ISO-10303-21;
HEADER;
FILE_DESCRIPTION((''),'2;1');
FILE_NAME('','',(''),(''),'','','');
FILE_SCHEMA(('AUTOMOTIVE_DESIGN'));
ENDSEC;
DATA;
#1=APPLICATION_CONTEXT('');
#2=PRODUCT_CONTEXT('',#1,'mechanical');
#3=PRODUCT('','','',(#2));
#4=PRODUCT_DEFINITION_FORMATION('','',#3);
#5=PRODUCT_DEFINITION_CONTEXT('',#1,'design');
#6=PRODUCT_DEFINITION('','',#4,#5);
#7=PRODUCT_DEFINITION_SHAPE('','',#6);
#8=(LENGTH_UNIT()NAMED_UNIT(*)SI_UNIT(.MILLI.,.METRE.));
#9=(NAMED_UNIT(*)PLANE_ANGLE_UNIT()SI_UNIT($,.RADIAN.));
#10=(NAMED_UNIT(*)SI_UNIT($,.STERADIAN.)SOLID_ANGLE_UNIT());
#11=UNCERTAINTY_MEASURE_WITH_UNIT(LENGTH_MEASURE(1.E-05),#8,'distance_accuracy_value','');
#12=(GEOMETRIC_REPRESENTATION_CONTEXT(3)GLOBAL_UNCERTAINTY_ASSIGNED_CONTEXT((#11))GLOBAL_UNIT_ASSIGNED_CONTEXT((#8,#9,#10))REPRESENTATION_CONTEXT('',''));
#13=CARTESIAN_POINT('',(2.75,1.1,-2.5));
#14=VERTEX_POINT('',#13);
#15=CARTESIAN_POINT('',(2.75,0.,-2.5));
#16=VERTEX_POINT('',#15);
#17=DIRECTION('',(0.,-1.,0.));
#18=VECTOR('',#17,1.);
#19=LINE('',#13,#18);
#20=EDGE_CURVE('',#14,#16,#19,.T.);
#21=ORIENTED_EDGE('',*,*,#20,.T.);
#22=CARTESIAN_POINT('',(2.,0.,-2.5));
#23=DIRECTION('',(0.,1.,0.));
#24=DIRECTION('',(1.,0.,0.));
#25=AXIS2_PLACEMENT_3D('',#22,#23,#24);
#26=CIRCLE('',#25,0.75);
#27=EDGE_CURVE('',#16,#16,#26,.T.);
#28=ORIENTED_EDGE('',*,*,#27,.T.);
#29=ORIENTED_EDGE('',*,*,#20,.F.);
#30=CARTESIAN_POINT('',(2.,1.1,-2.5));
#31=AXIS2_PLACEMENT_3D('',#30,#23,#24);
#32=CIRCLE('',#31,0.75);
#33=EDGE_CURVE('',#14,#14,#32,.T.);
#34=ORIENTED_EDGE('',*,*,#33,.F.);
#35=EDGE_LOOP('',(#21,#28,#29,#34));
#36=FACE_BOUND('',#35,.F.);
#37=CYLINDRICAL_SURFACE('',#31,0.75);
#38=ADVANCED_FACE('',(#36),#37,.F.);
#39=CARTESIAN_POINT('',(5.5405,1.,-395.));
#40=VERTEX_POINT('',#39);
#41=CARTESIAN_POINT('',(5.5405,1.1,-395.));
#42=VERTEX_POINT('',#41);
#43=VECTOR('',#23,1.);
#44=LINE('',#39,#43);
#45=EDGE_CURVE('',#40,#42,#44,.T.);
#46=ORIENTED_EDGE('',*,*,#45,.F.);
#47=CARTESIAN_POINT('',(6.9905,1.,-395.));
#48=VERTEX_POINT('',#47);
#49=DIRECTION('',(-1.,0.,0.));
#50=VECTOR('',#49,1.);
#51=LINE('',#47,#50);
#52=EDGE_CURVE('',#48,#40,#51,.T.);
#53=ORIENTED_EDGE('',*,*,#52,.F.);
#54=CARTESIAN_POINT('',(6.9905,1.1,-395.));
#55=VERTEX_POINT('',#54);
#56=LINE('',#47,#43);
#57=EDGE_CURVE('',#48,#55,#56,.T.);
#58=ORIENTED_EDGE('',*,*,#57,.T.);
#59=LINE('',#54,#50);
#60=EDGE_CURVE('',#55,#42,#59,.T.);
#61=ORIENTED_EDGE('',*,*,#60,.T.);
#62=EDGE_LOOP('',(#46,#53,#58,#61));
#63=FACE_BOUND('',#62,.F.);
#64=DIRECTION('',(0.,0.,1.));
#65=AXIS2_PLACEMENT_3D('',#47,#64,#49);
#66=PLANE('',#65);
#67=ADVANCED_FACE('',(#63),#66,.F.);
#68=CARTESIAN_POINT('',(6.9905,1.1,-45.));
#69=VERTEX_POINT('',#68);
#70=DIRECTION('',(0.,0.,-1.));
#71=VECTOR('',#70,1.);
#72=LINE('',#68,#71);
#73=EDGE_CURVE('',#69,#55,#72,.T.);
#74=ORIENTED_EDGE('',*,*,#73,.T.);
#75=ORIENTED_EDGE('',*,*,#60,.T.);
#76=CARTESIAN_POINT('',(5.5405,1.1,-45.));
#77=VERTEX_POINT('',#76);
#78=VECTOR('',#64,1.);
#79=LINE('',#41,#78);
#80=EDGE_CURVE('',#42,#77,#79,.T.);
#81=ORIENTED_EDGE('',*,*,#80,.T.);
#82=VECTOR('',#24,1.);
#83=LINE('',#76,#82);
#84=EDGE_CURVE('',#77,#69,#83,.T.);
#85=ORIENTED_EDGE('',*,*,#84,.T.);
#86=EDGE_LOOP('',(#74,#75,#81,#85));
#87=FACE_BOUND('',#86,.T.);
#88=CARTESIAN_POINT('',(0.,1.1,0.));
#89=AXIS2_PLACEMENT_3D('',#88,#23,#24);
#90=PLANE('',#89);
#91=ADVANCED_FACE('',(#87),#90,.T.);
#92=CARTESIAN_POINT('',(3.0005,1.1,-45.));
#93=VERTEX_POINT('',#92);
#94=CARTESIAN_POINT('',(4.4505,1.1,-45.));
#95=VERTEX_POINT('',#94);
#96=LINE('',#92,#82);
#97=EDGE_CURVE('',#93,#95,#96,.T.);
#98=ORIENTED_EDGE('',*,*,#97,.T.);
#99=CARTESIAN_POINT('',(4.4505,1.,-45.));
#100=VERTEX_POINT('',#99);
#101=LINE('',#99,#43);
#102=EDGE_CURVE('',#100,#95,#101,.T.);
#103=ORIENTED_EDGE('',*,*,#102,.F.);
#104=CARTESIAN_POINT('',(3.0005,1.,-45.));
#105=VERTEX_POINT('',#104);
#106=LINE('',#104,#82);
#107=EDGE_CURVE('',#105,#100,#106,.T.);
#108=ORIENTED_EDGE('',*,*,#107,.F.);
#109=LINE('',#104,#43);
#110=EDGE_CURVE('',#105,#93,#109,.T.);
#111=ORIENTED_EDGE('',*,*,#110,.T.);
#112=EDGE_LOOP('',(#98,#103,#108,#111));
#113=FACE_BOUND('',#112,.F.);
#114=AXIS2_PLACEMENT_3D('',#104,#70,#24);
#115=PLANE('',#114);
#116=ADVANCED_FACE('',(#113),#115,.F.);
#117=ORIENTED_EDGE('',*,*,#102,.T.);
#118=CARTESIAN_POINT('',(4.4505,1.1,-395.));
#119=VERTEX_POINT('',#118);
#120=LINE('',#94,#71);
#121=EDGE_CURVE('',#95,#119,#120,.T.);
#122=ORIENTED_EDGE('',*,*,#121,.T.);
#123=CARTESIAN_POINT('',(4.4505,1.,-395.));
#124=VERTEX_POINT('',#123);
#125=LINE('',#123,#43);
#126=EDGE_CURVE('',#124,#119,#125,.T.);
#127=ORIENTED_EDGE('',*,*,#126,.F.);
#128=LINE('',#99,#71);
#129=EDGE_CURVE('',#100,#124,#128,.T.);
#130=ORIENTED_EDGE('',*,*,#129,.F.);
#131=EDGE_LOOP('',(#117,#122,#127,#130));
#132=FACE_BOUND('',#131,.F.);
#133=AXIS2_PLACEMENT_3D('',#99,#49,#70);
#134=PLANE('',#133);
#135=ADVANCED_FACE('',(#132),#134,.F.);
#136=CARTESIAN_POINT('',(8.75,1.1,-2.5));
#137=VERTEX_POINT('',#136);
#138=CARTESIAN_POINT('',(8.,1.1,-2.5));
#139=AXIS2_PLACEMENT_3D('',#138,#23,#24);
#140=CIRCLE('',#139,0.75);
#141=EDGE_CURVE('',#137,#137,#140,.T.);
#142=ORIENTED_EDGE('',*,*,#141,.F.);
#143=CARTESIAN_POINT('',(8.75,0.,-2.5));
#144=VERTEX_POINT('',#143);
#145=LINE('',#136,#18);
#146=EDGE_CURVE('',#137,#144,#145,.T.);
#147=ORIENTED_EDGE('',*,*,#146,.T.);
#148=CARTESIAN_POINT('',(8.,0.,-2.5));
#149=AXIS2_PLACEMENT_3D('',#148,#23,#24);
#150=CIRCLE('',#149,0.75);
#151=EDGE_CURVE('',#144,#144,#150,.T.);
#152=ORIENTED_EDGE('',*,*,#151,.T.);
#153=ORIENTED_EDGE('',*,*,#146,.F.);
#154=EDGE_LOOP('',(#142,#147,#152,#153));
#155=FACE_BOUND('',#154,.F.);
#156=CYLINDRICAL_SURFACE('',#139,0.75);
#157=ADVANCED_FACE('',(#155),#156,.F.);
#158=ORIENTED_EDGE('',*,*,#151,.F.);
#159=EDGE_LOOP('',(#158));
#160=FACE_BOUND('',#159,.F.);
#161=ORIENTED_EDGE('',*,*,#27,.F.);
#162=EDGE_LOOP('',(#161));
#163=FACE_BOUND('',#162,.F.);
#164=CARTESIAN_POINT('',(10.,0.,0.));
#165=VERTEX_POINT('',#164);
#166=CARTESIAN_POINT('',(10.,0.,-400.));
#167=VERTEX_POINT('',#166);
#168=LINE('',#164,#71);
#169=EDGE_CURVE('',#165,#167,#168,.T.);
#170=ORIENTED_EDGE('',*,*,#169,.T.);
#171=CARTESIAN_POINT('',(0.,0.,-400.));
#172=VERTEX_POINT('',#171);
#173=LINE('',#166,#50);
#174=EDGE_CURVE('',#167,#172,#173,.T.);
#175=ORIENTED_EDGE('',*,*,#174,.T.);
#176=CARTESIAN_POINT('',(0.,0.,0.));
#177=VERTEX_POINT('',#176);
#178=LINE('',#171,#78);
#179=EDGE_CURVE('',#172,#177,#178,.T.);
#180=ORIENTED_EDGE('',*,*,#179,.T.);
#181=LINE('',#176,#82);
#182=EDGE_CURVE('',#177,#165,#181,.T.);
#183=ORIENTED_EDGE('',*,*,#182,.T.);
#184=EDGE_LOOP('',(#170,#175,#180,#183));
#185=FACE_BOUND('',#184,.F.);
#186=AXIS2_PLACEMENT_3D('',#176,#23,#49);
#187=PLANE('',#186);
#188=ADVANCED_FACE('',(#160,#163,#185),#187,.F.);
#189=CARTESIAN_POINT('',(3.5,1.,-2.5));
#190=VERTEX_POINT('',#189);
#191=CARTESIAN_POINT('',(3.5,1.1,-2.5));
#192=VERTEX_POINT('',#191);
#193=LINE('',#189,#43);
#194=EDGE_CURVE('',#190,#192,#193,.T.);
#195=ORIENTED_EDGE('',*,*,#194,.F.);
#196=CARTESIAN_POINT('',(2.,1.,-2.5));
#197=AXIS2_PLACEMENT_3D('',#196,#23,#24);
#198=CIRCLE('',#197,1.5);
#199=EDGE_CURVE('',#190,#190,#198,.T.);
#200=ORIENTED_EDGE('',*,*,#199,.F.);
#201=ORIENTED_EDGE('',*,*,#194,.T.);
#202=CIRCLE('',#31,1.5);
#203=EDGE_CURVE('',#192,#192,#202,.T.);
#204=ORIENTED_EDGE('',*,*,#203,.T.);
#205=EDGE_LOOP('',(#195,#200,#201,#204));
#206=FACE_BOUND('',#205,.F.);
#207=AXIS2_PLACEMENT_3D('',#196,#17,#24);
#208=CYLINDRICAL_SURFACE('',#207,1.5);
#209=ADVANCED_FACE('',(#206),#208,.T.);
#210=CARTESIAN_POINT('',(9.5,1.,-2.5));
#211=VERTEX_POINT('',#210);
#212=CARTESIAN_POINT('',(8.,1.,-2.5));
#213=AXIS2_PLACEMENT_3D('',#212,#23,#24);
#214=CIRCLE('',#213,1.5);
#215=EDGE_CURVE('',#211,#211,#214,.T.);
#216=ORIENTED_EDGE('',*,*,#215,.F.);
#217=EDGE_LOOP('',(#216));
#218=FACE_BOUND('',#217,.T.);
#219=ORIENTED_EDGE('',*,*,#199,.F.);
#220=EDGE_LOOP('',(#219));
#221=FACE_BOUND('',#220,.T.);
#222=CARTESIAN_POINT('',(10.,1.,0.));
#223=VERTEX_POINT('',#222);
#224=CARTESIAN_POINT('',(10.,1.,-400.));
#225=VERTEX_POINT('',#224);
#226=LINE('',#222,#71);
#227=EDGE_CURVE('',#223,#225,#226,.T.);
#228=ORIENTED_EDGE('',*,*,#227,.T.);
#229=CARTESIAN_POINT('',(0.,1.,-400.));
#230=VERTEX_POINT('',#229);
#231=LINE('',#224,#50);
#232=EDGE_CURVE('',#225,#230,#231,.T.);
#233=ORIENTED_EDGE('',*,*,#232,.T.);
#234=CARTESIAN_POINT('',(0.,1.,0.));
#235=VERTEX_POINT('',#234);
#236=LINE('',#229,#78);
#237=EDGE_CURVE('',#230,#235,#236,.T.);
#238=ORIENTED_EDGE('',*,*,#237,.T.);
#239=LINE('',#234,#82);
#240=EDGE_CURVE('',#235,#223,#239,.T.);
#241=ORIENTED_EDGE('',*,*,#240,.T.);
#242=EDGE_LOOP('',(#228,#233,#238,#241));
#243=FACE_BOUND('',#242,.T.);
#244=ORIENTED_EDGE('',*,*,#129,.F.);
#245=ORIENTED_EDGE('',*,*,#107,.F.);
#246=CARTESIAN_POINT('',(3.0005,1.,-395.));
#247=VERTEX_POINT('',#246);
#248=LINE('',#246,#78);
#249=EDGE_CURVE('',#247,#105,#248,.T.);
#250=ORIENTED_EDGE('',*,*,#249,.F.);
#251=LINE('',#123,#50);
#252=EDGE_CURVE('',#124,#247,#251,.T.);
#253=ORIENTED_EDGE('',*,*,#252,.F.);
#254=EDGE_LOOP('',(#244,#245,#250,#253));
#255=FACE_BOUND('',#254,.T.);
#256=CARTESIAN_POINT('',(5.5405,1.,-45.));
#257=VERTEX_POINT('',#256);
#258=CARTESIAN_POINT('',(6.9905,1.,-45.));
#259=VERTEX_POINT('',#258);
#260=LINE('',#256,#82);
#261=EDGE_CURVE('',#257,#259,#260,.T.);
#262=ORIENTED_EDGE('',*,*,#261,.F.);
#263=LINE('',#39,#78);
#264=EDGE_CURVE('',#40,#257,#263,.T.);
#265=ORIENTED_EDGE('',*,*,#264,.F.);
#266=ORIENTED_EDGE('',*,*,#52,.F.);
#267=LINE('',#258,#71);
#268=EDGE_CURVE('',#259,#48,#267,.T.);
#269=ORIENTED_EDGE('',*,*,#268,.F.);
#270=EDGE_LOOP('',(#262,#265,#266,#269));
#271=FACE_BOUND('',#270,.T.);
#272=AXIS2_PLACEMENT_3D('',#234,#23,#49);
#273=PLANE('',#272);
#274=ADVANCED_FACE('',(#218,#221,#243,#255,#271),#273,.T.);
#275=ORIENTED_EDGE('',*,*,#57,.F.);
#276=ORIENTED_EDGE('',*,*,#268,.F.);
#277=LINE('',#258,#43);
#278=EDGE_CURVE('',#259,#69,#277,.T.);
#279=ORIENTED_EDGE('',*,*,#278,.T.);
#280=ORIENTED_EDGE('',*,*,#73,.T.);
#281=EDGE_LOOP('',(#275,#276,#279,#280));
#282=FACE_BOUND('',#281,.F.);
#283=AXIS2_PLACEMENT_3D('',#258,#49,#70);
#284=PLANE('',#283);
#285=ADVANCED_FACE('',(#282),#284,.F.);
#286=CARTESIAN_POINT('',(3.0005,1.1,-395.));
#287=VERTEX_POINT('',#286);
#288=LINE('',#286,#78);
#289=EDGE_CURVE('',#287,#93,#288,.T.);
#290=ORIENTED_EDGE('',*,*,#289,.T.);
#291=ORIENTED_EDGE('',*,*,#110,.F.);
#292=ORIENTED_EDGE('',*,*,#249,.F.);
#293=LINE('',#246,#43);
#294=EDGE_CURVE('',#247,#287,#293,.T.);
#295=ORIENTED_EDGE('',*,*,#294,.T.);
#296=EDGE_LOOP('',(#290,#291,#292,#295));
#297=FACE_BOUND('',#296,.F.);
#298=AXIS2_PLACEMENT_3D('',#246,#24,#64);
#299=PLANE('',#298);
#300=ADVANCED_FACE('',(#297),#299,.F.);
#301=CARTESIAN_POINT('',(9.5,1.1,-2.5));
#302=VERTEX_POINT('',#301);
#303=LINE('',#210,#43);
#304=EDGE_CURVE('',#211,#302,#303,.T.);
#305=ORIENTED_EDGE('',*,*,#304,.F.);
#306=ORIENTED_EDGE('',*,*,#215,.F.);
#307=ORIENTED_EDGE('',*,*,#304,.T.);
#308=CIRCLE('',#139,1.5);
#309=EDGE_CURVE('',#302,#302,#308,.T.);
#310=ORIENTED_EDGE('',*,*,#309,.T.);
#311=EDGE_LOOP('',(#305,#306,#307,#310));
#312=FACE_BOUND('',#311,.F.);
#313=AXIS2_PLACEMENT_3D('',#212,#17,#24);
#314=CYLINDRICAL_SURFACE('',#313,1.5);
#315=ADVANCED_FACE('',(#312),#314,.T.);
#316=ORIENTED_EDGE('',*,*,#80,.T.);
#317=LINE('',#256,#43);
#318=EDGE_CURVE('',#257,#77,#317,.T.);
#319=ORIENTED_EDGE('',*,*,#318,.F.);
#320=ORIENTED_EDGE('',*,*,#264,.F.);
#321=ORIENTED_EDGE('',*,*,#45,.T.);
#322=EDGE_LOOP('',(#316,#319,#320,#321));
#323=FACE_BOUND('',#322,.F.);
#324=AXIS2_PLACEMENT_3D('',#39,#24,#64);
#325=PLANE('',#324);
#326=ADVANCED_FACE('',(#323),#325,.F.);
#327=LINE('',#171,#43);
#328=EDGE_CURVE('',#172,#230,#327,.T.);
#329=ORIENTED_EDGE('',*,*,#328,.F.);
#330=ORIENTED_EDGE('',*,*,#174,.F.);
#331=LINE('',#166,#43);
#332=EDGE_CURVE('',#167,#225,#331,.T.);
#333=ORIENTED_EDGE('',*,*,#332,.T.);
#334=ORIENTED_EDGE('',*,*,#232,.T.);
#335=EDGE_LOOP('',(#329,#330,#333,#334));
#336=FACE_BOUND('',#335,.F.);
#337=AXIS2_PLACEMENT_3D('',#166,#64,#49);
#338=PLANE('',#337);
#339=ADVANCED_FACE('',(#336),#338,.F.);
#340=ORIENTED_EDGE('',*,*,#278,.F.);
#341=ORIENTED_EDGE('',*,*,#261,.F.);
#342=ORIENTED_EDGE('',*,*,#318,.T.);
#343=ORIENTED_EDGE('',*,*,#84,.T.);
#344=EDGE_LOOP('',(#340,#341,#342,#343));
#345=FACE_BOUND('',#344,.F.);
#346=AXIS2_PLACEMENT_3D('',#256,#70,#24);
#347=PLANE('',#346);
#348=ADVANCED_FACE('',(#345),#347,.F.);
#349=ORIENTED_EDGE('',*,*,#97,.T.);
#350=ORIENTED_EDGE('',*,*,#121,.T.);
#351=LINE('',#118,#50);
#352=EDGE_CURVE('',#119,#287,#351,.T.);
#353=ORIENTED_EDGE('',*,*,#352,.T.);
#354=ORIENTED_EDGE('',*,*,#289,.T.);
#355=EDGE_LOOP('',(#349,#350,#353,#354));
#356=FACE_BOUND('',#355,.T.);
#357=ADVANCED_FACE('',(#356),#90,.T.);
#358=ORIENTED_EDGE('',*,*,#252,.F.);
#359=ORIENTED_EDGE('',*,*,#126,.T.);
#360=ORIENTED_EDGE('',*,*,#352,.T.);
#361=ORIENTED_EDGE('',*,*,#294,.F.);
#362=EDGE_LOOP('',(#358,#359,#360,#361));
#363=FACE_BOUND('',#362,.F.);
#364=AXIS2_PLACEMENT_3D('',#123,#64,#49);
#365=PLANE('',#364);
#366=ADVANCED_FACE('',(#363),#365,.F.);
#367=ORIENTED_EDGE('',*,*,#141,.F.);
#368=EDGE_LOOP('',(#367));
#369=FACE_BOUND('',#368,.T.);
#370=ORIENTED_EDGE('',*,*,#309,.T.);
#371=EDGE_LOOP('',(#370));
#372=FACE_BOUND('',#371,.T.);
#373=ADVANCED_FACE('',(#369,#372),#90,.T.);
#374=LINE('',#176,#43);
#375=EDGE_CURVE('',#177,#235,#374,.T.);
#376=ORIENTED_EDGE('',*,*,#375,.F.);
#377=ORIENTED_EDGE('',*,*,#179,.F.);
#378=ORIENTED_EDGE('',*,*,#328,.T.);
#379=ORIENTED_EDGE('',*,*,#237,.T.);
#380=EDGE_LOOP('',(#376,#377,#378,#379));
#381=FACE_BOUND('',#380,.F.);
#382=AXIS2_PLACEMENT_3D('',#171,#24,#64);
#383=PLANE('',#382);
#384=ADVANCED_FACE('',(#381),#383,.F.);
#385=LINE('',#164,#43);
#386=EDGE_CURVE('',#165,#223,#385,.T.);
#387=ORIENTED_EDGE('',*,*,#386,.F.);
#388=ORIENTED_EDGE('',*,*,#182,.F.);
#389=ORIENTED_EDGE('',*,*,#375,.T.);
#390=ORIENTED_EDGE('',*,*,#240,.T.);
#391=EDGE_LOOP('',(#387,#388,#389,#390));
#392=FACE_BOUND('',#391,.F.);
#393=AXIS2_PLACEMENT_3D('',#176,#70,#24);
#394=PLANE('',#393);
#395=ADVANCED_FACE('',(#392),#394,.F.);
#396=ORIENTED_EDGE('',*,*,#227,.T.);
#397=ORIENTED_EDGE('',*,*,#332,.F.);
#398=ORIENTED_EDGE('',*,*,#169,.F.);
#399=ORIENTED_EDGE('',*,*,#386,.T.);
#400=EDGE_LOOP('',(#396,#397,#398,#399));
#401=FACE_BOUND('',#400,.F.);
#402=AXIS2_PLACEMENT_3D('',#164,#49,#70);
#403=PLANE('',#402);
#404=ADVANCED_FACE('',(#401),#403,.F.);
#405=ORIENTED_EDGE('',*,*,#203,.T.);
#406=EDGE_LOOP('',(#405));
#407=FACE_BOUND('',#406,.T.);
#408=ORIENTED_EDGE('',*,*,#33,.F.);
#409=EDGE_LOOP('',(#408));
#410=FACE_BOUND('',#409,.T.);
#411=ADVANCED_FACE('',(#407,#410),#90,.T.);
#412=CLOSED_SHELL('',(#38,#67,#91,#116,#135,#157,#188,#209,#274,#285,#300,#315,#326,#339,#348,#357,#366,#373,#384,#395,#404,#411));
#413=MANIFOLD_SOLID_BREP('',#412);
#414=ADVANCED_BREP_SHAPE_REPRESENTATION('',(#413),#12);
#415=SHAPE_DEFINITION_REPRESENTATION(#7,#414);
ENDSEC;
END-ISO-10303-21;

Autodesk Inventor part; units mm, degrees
ref_plane "YZ Plane" through (0, 0, 0) normal (1, 0, 0) x (0, 1, 0)
ref_plane "XZ Plane" through (0, 0, 0) normal (0, 1, 0) x (-1, 0, 0)
ref_plane "XY Plane" through (0, 0, 0) normal (0, 0, 1) x (1, 0, 0)
sketch "草图1" plane through (0, 0, 0) normal (0, 1, 0) x (-1, 0, 0)
  line L0 (0, 0) -> (-10, 0)
  line L1 (-10, 0) -> (-10, -400)
  line L2 (-10, -400) -> (0, -400)
  line L3 (0, -400) -> (0, 0)
  dimension "d0" = 10
  dimension "d1" = 400
extrude "拉伸1" add sketch "草图1" along normal blind 1
sketch "草图2" plane through (0, 1, 0) normal (0, 1, 0) x (1, 0, 0)
  circle A0 centre (2, 2.5) radius 1.5
  circle A1 centre (8, 2.5) radius 1.5
  line L0 (0, 400) -> (0, 0) projected
  line L1 (10, 0) -> (10, 400) projected
  line L2 (0, 0) -> (10, 0) projected
  dimension "d4" = 3
  dimension "d5" = 3
  dimension "d6" = 2
  dimension "d7" = 2
  dimension "d8" = 2.5
  dimension "d9" = 2.5
sketch "草图3" plane through (0, 1, 0) normal (0, 1, 0) x (1, 0, 0)
  point P0 (0, 0)
extrude "拉伸2" add sketch "草图2" along normal blind 0.1
sketch "草图4" plane through (2, 1.1, -2.5) normal (0, 1, 0) x (1, 0, 0)
  circle A0 centre (0, 0) radius 1.5 projected
  circle A1 centre (0, 0) radius 0.75
  circle A2 centre (6, 0) radius 1.5 projected
  circle A3 centre (6, 0) radius 0.75
  point P0 (-2, -2.5)
  dimension "d12" = 1.5
  dimension "d13" = 1.5
extrude "拉伸3" cut sketch "草图4" against normal blind 3.85 contours A1 | A3
sketch "草图5" plane through (0, 1, 0) normal (0, 1, 0) x (1, 0, 0)
  line L0 (3.0005, 45) -> (4.4505, 45)
  line L1 (4.4505, 45) -> (4.4505, 395)
  line L2 (4.4505, 395) -> (3.0005, 395)
  line L3 (3.0005, 395) -> (3.0005, 45)
  line L4 (5.5405, 45) -> (6.9905, 45)
  line L5 (6.9905, 45) -> (6.9905, 395)
  line L6 (6.9905, 395) -> (5.5405, 395)
  line L7 (5.5405, 395) -> (5.5405, 45)
  line L8 (0, 0) -> (10, 0) projected
  line L9 (10, 400) -> (0, 400) projected
  line L10 (0, 400) -> (0, 0) projected
  dimension "d16" = 1.45
  dimension "d17" = 350
  dimension "d18" = 1.45
  dimension "d19" = 350
  dimension "d20" = 45
  dimension "d21" = 5
  dimension "d22" = 1.09
  dimension "d23" = 3.0005
extrude "拉伸4" add sketch "草图5" along normal blind 0.1
equation "\"折弯半径\" = 厚度"
equation "\"折弯释压宽度\" = 厚度"
equation "\"折弯释压深度\" = 0.5 * 厚度"
equation "\"拐角释压尺寸\" = 4 * 厚度"
equation "\"最小余量\" = 2 * 厚度"
equation "\"过渡半径\" = 折弯半径"
equation "\"Jacobi半径尺寸\" = 折弯半径"
equation "\"间隙大小\" = 厚度"
equation "\"厚度\" = 0.5"
properties part number "Dosyn Rail"
